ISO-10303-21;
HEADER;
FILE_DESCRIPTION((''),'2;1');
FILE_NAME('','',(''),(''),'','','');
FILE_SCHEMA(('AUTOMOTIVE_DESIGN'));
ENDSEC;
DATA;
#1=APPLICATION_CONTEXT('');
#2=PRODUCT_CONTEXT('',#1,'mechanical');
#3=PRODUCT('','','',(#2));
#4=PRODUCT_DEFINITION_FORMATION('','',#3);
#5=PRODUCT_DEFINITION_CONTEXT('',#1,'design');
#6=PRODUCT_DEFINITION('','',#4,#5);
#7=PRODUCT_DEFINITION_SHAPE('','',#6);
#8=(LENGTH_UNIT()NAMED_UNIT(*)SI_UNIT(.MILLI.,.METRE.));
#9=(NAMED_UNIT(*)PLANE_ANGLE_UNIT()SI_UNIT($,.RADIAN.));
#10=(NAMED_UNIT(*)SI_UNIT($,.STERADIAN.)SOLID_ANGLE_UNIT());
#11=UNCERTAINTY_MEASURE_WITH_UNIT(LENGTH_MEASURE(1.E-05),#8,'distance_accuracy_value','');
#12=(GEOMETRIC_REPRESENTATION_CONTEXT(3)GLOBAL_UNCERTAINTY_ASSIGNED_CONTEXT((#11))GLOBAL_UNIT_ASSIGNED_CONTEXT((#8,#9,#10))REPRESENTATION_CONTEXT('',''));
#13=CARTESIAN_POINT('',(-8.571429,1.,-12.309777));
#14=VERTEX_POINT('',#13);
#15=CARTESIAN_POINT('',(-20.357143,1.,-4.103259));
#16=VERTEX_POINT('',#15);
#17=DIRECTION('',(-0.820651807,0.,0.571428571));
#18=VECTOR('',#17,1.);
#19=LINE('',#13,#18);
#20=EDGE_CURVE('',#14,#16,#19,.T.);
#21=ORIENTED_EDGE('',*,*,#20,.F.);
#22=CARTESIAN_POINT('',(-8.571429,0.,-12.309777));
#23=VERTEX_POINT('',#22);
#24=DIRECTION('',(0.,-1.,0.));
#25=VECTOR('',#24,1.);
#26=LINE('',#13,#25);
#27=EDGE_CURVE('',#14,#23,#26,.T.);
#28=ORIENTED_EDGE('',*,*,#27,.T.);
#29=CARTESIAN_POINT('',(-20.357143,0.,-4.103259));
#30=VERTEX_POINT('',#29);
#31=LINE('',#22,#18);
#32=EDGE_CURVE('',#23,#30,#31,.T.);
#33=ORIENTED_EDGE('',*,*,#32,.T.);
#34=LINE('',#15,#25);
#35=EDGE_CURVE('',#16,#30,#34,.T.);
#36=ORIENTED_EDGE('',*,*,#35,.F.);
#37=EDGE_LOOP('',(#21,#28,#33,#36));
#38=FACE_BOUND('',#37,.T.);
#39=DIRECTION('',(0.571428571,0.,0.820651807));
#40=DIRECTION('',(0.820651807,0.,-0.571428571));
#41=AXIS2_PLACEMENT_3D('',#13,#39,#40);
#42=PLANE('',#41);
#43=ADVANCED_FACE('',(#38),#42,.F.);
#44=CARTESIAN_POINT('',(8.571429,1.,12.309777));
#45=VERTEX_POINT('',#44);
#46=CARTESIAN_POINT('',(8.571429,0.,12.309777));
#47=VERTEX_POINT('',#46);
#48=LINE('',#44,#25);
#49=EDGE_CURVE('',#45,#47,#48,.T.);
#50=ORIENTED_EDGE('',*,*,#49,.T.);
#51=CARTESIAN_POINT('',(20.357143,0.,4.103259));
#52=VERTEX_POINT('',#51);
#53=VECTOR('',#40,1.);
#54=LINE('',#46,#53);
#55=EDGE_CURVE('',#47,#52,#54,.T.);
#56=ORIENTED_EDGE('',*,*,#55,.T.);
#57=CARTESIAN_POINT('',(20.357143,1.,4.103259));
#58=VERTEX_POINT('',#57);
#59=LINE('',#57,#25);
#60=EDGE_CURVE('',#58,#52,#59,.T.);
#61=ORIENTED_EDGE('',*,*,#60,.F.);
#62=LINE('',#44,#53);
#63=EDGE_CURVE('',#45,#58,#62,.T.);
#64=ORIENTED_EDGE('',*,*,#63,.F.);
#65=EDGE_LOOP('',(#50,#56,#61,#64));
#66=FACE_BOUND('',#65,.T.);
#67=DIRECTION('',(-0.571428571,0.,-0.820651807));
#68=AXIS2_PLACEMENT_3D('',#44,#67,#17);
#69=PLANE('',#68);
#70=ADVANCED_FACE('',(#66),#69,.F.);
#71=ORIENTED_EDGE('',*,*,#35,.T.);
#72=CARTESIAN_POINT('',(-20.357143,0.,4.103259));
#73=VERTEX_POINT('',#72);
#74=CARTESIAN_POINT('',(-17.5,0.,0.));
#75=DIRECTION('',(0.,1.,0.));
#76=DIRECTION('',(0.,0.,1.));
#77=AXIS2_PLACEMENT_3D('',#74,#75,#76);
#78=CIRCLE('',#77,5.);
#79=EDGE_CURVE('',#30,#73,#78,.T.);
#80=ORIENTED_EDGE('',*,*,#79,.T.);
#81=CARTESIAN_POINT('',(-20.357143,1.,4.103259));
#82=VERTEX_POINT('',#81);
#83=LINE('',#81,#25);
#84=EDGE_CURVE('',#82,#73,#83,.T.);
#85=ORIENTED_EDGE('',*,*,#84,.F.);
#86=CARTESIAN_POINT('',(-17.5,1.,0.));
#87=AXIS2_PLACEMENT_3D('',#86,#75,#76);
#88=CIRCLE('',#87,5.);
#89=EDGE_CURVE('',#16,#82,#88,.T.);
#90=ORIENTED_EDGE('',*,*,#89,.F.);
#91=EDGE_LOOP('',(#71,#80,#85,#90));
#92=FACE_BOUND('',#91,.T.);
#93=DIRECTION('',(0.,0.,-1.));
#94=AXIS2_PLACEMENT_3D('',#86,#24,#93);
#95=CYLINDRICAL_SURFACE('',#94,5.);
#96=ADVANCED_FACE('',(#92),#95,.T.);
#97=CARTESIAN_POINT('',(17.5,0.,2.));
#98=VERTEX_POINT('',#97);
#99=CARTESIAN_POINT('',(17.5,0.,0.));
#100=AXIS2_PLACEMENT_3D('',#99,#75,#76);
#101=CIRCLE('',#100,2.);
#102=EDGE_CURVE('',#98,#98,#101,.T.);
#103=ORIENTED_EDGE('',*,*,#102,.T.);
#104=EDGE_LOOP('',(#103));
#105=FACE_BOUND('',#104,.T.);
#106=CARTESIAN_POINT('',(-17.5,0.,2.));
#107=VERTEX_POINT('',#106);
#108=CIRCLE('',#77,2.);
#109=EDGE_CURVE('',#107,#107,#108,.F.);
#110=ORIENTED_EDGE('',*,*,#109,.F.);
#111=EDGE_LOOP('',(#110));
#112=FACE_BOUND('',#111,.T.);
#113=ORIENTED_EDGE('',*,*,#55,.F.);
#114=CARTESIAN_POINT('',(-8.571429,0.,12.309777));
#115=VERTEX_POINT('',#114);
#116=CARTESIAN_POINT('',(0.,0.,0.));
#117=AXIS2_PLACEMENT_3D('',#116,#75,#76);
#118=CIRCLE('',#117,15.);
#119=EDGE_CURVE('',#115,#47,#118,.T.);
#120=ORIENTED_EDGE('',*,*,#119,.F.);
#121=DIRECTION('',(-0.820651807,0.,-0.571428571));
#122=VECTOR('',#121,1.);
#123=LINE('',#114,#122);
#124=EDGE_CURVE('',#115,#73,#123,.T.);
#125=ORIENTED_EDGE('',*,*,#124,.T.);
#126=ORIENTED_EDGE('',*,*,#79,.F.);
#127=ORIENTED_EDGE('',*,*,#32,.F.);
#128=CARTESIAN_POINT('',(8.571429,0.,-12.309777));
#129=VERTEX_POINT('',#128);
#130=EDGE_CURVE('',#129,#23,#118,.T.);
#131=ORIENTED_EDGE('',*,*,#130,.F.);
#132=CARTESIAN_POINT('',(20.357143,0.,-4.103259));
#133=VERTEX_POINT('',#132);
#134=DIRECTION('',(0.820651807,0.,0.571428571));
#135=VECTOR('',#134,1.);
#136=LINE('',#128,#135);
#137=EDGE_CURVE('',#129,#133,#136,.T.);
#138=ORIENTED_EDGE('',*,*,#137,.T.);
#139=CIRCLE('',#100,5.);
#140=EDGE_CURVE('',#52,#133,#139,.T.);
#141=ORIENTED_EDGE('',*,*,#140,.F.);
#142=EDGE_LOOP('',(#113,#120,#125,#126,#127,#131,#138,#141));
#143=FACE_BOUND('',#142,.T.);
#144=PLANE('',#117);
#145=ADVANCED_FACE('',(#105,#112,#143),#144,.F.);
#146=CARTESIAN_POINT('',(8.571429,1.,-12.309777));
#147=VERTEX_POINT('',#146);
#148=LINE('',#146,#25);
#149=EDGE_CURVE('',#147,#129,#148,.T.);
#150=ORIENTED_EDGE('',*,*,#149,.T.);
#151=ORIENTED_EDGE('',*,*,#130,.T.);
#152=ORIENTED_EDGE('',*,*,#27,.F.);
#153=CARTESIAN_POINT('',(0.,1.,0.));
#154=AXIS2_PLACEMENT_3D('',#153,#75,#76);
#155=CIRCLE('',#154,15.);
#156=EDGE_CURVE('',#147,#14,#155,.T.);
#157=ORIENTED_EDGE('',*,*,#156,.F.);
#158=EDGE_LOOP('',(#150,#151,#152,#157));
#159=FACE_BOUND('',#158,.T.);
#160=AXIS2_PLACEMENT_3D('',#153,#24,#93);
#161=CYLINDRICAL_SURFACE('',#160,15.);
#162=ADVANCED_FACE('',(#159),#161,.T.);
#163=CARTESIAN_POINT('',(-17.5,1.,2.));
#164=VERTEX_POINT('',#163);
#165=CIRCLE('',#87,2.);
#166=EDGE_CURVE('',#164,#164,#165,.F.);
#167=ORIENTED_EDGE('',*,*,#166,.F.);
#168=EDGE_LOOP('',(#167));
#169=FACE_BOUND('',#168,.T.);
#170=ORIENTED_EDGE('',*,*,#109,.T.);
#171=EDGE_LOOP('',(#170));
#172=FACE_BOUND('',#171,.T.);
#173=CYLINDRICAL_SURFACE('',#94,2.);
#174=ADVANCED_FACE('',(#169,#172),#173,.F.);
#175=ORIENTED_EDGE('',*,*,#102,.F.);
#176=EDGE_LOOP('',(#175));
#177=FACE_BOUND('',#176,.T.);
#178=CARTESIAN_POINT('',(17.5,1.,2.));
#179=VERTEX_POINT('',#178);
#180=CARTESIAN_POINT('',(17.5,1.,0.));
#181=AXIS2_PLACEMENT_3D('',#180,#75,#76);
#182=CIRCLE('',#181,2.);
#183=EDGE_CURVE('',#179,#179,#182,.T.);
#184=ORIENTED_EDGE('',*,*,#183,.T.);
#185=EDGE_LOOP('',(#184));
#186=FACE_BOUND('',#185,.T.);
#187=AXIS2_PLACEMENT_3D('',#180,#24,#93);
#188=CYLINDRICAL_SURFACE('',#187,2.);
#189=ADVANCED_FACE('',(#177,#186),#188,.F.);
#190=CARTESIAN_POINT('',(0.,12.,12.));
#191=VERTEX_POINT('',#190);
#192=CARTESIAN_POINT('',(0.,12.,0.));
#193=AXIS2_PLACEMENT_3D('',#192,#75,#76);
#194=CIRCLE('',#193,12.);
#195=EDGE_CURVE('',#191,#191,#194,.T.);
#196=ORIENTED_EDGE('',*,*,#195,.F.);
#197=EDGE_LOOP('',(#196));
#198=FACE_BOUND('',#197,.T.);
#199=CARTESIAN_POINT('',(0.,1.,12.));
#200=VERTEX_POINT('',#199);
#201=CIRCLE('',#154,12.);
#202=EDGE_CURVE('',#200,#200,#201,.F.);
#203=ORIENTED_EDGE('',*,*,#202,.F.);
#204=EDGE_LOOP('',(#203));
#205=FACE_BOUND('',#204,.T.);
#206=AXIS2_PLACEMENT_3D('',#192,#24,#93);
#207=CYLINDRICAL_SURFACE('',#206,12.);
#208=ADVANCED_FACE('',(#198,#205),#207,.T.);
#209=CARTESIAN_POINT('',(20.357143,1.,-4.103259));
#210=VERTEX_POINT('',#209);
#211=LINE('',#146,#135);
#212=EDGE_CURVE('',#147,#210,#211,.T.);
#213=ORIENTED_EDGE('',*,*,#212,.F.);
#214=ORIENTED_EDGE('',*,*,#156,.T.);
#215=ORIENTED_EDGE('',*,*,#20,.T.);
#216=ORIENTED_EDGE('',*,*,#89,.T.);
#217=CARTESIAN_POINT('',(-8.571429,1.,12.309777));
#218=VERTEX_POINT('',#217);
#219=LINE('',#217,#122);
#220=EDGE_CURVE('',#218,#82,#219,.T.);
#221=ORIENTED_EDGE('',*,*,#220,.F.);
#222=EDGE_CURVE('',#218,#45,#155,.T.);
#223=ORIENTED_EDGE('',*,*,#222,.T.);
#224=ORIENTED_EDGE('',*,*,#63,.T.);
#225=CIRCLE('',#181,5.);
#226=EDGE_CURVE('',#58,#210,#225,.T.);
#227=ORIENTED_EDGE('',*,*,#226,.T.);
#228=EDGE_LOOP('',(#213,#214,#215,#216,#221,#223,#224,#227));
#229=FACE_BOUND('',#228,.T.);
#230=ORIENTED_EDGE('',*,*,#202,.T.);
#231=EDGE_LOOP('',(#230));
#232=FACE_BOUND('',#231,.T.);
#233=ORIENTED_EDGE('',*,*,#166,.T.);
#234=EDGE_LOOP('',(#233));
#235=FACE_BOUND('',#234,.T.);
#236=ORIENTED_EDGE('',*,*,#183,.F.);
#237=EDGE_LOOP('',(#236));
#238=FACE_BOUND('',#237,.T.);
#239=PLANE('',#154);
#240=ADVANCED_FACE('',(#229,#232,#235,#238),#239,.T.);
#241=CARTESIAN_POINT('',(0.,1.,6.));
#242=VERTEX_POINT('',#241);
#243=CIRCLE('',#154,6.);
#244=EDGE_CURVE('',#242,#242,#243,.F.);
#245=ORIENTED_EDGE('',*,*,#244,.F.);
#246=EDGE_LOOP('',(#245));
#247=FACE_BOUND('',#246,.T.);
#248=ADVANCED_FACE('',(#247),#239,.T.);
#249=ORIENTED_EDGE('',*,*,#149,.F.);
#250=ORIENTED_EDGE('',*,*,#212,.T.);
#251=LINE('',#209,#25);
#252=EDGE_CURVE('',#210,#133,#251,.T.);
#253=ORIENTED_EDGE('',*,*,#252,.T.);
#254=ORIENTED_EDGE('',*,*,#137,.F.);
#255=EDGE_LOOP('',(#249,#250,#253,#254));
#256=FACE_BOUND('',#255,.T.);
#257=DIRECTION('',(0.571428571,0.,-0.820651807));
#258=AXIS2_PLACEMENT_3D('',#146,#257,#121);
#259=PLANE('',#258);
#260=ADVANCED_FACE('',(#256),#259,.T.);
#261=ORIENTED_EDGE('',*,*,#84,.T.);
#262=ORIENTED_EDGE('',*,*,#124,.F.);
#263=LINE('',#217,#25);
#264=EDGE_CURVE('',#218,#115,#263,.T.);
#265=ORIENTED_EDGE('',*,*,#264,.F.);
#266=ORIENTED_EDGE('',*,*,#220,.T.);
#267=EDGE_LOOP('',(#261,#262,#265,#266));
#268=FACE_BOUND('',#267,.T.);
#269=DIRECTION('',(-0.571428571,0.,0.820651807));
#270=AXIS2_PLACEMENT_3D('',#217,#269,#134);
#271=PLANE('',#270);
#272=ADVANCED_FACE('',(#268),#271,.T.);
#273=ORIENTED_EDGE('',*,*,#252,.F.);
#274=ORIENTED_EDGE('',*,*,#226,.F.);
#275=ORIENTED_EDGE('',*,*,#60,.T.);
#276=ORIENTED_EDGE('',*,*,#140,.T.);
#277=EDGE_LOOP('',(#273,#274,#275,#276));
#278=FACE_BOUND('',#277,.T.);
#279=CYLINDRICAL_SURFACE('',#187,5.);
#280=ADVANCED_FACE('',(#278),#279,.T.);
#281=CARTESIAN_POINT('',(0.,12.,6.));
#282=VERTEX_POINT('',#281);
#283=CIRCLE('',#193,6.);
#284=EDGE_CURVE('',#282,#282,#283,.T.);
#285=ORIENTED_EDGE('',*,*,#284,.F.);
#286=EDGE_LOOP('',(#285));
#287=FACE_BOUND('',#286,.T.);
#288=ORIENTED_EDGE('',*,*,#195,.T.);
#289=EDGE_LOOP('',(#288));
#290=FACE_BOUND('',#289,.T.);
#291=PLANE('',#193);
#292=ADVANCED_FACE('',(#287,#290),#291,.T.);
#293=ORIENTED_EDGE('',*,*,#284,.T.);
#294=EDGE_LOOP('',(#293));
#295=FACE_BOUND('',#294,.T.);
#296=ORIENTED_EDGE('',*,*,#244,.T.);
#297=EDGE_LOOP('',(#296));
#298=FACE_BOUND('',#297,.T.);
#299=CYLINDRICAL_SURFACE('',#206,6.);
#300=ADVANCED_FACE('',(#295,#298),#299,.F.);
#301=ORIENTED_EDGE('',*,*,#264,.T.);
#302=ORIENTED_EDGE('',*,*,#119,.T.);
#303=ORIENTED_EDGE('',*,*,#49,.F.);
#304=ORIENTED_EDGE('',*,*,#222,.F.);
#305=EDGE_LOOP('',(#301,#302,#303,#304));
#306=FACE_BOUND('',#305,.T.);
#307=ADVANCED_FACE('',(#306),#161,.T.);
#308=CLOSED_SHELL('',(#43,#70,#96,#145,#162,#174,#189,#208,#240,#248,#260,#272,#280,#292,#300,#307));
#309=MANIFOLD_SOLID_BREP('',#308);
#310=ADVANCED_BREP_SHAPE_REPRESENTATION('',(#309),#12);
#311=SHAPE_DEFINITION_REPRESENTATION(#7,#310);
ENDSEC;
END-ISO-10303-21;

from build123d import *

# Parameters (mm, degrees)
SKETCH_1_R      = 2
EXTRUDE_1_DEPTH = 1
SKETCH_1_3_R    = 12
SKETCH_1_3_R_2  = 6
EXTRUDE_2_DEPTH = 12


with BuildPart() as part:
    # 草图1 → 凸台-拉伸1 (new body)
    with BuildSketch(Plane(origin=(0, 0, 0), x_dir=(1, 0, 0), z_dir=(0, 1, 0))):
        with BuildLine():
            ThreePointArc((-8.571428571, -12.3097771), (0, -15), (8.571428571, -12.3097771))
            Line((8.571428571, -12.3097771), (20.357142857, -4.103259033))
            ThreePointArc((20.357142857, -4.103259033), (22.5, 0), (20.357142857, 4.103259033))
            Line((20.357142857, 4.103259033), (8.571428571, 12.3097771))
            ThreePointArc((8.571428571, 12.3097771), (0, 15), (-8.571428571, 12.3097771))
            Line((-8.571428571, 12.3097771), (-20.357142857, 4.103259033))
            ThreePointArc((-20.357142857, 4.103259033), (-22.5, 0), (-20.357142857, -4.103259033))
            Line((-20.357142857, -4.103259033), (-8.571428571, -12.3097771))
        make_face()
        with Locations((17.5, 0)):
            Circle(SKETCH_1_R, mode=Mode.SUBTRACT)
        with Locations((-17.5, 0)):
            Circle(SKETCH_1_R, mode=Mode.SUBTRACT)
    extrude(amount=EXTRUDE_1_DEPTH)

    # 草图1<3> → 凸台-拉伸2 (add)
    with BuildSketch(Plane(origin=(0, 0, 0), x_dir=(1, 0, 0), z_dir=(0, 1, 0))):
        Circle(SKETCH_1_3_R)
        Circle(SKETCH_1_3_R_2, mode=Mode.SUBTRACT)
    extrude(amount=EXTRUDE_2_DEPTH)


solid = part.part
